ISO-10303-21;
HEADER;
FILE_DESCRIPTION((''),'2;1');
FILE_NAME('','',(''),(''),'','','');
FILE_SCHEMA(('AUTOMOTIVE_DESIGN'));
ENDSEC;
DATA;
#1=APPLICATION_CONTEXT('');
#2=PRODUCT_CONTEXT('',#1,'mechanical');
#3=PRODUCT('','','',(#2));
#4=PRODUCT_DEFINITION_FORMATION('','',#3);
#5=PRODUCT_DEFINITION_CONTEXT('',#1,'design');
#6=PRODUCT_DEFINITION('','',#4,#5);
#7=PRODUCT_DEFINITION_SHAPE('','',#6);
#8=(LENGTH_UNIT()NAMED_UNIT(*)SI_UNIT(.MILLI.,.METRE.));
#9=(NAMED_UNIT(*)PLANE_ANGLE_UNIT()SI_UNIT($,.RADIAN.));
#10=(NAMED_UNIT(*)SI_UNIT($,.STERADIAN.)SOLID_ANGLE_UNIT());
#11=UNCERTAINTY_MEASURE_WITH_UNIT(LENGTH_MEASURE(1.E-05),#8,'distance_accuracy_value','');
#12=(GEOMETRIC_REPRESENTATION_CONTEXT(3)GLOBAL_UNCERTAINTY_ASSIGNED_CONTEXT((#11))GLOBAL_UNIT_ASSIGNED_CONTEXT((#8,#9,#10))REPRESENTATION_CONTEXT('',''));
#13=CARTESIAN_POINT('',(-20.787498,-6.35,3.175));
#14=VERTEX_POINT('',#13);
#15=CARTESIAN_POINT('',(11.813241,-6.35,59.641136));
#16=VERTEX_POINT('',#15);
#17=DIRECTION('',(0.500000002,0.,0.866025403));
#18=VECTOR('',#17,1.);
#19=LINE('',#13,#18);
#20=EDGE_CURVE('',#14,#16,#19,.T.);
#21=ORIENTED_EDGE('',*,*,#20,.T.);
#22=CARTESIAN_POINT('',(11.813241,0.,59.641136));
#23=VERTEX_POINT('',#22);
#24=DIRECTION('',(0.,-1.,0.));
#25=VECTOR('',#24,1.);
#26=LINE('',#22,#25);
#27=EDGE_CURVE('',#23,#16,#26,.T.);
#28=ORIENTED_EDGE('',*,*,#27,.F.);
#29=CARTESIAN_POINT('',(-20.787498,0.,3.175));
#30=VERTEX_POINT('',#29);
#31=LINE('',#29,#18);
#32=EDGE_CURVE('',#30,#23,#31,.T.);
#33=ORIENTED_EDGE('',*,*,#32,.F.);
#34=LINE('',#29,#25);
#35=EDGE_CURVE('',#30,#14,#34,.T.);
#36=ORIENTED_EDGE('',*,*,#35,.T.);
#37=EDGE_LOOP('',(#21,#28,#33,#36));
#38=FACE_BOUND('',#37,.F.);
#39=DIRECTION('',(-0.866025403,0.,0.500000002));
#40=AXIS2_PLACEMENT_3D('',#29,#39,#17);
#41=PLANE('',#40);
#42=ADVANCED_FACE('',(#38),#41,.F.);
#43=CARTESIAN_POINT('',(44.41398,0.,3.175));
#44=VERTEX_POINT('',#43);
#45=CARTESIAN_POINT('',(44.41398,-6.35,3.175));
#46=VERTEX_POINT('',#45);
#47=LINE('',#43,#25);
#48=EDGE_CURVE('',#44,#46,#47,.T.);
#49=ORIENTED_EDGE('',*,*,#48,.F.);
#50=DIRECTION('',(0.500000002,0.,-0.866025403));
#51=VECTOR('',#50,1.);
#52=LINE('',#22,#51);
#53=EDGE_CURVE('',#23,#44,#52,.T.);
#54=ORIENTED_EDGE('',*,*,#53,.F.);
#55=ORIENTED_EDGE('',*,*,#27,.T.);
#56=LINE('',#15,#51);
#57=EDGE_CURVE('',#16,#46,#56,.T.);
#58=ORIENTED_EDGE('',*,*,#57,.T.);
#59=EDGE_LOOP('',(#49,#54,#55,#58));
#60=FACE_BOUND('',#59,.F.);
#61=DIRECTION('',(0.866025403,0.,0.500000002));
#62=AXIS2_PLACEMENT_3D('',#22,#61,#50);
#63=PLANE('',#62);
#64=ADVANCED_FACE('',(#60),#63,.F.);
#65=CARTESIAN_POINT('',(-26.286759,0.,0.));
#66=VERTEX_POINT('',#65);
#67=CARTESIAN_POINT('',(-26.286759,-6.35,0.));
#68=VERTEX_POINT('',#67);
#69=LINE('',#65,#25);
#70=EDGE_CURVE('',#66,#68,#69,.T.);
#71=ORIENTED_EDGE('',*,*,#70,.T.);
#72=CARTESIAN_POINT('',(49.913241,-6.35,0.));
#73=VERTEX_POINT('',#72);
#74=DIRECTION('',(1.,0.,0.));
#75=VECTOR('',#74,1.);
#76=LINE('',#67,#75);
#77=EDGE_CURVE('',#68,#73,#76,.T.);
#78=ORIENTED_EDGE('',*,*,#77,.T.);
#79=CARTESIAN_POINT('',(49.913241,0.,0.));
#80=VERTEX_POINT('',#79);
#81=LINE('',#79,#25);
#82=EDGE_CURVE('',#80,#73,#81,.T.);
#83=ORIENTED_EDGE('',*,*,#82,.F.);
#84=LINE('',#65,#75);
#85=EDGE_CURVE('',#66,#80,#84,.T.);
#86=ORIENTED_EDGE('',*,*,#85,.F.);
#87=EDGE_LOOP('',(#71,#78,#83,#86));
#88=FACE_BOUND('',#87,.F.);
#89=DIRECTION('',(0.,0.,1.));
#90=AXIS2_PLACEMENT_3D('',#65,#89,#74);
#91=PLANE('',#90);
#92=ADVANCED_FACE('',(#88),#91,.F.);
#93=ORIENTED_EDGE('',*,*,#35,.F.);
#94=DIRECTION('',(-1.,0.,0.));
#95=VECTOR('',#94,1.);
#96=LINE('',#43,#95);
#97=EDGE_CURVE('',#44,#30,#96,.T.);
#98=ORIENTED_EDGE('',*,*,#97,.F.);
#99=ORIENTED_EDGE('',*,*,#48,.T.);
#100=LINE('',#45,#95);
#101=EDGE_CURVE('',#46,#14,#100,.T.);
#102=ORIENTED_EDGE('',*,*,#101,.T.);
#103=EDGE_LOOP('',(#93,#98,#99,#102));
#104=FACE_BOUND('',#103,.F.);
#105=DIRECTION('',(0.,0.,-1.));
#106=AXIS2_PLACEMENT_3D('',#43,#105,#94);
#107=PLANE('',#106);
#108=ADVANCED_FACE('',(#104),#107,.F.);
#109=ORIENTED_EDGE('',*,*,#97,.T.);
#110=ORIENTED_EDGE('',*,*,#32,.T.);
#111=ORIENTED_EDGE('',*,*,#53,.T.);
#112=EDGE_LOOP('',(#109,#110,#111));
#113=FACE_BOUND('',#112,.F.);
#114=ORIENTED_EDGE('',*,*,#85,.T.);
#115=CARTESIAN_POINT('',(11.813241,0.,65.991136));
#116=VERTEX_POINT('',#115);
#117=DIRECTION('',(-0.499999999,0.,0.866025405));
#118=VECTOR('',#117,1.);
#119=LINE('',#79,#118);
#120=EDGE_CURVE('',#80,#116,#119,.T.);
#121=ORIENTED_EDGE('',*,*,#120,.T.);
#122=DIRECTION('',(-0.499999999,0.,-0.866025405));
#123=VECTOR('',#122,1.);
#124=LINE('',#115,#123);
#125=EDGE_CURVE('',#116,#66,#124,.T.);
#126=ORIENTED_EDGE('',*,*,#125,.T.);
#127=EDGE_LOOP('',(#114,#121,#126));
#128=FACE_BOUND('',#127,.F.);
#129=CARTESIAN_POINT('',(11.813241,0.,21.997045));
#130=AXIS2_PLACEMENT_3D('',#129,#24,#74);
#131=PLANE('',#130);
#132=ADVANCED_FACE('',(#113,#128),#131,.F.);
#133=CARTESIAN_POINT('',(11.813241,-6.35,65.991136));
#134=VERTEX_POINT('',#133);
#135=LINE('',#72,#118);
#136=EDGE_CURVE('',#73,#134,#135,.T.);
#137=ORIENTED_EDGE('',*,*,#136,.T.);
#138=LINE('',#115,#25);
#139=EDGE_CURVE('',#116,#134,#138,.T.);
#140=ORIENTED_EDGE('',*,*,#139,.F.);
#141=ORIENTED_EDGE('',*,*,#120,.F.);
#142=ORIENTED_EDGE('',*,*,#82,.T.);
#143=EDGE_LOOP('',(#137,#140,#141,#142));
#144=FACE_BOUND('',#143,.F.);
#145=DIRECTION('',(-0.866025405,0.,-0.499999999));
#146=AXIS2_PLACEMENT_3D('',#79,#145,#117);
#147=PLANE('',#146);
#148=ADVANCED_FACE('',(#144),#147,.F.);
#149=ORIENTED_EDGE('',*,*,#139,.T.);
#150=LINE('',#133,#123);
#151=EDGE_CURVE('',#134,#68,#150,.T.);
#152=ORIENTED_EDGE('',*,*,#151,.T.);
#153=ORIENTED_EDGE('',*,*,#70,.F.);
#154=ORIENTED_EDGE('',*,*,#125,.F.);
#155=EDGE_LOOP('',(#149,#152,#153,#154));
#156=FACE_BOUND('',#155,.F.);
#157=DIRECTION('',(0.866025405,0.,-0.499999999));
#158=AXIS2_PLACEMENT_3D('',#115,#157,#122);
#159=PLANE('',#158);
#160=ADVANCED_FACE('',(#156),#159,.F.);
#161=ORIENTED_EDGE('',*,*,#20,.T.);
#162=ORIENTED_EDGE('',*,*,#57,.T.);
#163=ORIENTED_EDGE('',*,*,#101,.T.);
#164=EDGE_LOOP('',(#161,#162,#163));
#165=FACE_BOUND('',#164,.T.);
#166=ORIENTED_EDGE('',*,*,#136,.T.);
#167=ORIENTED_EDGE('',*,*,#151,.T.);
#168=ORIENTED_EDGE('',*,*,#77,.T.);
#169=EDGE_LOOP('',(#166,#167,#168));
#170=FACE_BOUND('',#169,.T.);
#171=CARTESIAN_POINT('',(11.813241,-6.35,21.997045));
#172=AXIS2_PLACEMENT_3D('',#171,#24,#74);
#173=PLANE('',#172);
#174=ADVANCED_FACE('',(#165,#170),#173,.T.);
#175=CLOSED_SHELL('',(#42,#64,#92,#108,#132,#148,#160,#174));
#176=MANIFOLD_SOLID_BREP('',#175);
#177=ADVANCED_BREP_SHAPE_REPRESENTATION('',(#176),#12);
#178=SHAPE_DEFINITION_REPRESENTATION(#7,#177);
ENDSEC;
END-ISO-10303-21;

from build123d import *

# Parameters (mm, degrees)
F1_DEPTH = 6.35


with BuildPart() as f1:
    # F0 (on Front) → F1 (new body)
    with BuildSketch(Plane.XZ):
        Polygon((11.813241, 65.991136), (-26.286759, 0), (49.913241, 0), align=None)
        Polygon((44.41398, 3.175), (-20.787498, 3.175), (11.813241, 59.641136), align=None, mode=Mode.SUBTRACT)
    extrude(amount=F1_DEPTH)


solid = f1.part
